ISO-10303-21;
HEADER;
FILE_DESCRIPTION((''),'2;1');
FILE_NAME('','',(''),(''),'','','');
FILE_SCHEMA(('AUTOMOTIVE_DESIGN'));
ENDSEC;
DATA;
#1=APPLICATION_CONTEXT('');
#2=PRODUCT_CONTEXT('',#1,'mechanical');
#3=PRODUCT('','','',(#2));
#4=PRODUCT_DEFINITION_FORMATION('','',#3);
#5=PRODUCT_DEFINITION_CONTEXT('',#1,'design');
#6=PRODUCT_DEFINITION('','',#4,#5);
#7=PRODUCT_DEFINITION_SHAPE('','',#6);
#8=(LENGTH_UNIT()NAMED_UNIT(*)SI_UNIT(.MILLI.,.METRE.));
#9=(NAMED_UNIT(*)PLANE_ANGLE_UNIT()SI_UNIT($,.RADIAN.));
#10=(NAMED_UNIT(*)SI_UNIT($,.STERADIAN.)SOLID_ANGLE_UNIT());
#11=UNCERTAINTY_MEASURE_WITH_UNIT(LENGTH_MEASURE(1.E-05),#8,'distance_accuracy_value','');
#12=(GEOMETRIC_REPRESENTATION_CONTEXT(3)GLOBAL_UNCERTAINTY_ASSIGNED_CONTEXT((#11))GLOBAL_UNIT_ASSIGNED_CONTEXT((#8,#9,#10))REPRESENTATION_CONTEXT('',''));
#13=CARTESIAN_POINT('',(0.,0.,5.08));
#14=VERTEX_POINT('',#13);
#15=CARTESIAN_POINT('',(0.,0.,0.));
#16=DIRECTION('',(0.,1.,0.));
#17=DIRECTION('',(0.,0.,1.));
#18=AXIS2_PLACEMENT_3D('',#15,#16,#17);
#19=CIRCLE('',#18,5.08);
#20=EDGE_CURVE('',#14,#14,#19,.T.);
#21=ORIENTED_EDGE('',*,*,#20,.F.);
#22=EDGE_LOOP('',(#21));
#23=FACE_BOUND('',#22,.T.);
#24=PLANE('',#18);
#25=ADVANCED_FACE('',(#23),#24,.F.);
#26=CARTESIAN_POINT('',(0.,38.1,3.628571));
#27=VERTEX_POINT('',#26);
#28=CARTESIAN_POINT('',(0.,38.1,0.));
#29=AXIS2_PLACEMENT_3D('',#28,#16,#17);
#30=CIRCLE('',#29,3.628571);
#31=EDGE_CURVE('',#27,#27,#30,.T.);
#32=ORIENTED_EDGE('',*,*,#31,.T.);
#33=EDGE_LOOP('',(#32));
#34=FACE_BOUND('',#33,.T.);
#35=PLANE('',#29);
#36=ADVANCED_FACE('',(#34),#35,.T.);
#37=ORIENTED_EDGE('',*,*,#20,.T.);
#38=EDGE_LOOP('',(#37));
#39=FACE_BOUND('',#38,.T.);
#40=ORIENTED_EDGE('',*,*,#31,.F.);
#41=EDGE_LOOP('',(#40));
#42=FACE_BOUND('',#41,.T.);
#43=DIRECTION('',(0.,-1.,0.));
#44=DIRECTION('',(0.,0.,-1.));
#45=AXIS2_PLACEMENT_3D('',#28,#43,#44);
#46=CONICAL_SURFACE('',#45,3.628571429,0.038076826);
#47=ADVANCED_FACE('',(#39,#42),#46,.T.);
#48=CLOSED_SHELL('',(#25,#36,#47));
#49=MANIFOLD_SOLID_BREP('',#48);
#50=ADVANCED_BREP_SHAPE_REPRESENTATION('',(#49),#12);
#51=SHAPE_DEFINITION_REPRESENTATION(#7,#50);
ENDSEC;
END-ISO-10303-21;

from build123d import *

# Parameters (mm, degrees)
SKETCH2_R = 3.628571429
SKETCH1_R = 5.08


with BuildPart() as part:
    # Sketch2 → Loft1 section 0
    with BuildSketch(Plane(origin=(0, 38.1, 0), x_dir=(1, 0, 0), z_dir=(0, 1, 0))):
        Circle(SKETCH2_R)
    # Sketch1 → Loft1 section 1
    with BuildSketch(Plane(origin=(0, 0, 0), x_dir=(1, 0, 0), z_dir=(0, 1, 0))):
        Circle(SKETCH1_R)
    loft()


solid = part.part
